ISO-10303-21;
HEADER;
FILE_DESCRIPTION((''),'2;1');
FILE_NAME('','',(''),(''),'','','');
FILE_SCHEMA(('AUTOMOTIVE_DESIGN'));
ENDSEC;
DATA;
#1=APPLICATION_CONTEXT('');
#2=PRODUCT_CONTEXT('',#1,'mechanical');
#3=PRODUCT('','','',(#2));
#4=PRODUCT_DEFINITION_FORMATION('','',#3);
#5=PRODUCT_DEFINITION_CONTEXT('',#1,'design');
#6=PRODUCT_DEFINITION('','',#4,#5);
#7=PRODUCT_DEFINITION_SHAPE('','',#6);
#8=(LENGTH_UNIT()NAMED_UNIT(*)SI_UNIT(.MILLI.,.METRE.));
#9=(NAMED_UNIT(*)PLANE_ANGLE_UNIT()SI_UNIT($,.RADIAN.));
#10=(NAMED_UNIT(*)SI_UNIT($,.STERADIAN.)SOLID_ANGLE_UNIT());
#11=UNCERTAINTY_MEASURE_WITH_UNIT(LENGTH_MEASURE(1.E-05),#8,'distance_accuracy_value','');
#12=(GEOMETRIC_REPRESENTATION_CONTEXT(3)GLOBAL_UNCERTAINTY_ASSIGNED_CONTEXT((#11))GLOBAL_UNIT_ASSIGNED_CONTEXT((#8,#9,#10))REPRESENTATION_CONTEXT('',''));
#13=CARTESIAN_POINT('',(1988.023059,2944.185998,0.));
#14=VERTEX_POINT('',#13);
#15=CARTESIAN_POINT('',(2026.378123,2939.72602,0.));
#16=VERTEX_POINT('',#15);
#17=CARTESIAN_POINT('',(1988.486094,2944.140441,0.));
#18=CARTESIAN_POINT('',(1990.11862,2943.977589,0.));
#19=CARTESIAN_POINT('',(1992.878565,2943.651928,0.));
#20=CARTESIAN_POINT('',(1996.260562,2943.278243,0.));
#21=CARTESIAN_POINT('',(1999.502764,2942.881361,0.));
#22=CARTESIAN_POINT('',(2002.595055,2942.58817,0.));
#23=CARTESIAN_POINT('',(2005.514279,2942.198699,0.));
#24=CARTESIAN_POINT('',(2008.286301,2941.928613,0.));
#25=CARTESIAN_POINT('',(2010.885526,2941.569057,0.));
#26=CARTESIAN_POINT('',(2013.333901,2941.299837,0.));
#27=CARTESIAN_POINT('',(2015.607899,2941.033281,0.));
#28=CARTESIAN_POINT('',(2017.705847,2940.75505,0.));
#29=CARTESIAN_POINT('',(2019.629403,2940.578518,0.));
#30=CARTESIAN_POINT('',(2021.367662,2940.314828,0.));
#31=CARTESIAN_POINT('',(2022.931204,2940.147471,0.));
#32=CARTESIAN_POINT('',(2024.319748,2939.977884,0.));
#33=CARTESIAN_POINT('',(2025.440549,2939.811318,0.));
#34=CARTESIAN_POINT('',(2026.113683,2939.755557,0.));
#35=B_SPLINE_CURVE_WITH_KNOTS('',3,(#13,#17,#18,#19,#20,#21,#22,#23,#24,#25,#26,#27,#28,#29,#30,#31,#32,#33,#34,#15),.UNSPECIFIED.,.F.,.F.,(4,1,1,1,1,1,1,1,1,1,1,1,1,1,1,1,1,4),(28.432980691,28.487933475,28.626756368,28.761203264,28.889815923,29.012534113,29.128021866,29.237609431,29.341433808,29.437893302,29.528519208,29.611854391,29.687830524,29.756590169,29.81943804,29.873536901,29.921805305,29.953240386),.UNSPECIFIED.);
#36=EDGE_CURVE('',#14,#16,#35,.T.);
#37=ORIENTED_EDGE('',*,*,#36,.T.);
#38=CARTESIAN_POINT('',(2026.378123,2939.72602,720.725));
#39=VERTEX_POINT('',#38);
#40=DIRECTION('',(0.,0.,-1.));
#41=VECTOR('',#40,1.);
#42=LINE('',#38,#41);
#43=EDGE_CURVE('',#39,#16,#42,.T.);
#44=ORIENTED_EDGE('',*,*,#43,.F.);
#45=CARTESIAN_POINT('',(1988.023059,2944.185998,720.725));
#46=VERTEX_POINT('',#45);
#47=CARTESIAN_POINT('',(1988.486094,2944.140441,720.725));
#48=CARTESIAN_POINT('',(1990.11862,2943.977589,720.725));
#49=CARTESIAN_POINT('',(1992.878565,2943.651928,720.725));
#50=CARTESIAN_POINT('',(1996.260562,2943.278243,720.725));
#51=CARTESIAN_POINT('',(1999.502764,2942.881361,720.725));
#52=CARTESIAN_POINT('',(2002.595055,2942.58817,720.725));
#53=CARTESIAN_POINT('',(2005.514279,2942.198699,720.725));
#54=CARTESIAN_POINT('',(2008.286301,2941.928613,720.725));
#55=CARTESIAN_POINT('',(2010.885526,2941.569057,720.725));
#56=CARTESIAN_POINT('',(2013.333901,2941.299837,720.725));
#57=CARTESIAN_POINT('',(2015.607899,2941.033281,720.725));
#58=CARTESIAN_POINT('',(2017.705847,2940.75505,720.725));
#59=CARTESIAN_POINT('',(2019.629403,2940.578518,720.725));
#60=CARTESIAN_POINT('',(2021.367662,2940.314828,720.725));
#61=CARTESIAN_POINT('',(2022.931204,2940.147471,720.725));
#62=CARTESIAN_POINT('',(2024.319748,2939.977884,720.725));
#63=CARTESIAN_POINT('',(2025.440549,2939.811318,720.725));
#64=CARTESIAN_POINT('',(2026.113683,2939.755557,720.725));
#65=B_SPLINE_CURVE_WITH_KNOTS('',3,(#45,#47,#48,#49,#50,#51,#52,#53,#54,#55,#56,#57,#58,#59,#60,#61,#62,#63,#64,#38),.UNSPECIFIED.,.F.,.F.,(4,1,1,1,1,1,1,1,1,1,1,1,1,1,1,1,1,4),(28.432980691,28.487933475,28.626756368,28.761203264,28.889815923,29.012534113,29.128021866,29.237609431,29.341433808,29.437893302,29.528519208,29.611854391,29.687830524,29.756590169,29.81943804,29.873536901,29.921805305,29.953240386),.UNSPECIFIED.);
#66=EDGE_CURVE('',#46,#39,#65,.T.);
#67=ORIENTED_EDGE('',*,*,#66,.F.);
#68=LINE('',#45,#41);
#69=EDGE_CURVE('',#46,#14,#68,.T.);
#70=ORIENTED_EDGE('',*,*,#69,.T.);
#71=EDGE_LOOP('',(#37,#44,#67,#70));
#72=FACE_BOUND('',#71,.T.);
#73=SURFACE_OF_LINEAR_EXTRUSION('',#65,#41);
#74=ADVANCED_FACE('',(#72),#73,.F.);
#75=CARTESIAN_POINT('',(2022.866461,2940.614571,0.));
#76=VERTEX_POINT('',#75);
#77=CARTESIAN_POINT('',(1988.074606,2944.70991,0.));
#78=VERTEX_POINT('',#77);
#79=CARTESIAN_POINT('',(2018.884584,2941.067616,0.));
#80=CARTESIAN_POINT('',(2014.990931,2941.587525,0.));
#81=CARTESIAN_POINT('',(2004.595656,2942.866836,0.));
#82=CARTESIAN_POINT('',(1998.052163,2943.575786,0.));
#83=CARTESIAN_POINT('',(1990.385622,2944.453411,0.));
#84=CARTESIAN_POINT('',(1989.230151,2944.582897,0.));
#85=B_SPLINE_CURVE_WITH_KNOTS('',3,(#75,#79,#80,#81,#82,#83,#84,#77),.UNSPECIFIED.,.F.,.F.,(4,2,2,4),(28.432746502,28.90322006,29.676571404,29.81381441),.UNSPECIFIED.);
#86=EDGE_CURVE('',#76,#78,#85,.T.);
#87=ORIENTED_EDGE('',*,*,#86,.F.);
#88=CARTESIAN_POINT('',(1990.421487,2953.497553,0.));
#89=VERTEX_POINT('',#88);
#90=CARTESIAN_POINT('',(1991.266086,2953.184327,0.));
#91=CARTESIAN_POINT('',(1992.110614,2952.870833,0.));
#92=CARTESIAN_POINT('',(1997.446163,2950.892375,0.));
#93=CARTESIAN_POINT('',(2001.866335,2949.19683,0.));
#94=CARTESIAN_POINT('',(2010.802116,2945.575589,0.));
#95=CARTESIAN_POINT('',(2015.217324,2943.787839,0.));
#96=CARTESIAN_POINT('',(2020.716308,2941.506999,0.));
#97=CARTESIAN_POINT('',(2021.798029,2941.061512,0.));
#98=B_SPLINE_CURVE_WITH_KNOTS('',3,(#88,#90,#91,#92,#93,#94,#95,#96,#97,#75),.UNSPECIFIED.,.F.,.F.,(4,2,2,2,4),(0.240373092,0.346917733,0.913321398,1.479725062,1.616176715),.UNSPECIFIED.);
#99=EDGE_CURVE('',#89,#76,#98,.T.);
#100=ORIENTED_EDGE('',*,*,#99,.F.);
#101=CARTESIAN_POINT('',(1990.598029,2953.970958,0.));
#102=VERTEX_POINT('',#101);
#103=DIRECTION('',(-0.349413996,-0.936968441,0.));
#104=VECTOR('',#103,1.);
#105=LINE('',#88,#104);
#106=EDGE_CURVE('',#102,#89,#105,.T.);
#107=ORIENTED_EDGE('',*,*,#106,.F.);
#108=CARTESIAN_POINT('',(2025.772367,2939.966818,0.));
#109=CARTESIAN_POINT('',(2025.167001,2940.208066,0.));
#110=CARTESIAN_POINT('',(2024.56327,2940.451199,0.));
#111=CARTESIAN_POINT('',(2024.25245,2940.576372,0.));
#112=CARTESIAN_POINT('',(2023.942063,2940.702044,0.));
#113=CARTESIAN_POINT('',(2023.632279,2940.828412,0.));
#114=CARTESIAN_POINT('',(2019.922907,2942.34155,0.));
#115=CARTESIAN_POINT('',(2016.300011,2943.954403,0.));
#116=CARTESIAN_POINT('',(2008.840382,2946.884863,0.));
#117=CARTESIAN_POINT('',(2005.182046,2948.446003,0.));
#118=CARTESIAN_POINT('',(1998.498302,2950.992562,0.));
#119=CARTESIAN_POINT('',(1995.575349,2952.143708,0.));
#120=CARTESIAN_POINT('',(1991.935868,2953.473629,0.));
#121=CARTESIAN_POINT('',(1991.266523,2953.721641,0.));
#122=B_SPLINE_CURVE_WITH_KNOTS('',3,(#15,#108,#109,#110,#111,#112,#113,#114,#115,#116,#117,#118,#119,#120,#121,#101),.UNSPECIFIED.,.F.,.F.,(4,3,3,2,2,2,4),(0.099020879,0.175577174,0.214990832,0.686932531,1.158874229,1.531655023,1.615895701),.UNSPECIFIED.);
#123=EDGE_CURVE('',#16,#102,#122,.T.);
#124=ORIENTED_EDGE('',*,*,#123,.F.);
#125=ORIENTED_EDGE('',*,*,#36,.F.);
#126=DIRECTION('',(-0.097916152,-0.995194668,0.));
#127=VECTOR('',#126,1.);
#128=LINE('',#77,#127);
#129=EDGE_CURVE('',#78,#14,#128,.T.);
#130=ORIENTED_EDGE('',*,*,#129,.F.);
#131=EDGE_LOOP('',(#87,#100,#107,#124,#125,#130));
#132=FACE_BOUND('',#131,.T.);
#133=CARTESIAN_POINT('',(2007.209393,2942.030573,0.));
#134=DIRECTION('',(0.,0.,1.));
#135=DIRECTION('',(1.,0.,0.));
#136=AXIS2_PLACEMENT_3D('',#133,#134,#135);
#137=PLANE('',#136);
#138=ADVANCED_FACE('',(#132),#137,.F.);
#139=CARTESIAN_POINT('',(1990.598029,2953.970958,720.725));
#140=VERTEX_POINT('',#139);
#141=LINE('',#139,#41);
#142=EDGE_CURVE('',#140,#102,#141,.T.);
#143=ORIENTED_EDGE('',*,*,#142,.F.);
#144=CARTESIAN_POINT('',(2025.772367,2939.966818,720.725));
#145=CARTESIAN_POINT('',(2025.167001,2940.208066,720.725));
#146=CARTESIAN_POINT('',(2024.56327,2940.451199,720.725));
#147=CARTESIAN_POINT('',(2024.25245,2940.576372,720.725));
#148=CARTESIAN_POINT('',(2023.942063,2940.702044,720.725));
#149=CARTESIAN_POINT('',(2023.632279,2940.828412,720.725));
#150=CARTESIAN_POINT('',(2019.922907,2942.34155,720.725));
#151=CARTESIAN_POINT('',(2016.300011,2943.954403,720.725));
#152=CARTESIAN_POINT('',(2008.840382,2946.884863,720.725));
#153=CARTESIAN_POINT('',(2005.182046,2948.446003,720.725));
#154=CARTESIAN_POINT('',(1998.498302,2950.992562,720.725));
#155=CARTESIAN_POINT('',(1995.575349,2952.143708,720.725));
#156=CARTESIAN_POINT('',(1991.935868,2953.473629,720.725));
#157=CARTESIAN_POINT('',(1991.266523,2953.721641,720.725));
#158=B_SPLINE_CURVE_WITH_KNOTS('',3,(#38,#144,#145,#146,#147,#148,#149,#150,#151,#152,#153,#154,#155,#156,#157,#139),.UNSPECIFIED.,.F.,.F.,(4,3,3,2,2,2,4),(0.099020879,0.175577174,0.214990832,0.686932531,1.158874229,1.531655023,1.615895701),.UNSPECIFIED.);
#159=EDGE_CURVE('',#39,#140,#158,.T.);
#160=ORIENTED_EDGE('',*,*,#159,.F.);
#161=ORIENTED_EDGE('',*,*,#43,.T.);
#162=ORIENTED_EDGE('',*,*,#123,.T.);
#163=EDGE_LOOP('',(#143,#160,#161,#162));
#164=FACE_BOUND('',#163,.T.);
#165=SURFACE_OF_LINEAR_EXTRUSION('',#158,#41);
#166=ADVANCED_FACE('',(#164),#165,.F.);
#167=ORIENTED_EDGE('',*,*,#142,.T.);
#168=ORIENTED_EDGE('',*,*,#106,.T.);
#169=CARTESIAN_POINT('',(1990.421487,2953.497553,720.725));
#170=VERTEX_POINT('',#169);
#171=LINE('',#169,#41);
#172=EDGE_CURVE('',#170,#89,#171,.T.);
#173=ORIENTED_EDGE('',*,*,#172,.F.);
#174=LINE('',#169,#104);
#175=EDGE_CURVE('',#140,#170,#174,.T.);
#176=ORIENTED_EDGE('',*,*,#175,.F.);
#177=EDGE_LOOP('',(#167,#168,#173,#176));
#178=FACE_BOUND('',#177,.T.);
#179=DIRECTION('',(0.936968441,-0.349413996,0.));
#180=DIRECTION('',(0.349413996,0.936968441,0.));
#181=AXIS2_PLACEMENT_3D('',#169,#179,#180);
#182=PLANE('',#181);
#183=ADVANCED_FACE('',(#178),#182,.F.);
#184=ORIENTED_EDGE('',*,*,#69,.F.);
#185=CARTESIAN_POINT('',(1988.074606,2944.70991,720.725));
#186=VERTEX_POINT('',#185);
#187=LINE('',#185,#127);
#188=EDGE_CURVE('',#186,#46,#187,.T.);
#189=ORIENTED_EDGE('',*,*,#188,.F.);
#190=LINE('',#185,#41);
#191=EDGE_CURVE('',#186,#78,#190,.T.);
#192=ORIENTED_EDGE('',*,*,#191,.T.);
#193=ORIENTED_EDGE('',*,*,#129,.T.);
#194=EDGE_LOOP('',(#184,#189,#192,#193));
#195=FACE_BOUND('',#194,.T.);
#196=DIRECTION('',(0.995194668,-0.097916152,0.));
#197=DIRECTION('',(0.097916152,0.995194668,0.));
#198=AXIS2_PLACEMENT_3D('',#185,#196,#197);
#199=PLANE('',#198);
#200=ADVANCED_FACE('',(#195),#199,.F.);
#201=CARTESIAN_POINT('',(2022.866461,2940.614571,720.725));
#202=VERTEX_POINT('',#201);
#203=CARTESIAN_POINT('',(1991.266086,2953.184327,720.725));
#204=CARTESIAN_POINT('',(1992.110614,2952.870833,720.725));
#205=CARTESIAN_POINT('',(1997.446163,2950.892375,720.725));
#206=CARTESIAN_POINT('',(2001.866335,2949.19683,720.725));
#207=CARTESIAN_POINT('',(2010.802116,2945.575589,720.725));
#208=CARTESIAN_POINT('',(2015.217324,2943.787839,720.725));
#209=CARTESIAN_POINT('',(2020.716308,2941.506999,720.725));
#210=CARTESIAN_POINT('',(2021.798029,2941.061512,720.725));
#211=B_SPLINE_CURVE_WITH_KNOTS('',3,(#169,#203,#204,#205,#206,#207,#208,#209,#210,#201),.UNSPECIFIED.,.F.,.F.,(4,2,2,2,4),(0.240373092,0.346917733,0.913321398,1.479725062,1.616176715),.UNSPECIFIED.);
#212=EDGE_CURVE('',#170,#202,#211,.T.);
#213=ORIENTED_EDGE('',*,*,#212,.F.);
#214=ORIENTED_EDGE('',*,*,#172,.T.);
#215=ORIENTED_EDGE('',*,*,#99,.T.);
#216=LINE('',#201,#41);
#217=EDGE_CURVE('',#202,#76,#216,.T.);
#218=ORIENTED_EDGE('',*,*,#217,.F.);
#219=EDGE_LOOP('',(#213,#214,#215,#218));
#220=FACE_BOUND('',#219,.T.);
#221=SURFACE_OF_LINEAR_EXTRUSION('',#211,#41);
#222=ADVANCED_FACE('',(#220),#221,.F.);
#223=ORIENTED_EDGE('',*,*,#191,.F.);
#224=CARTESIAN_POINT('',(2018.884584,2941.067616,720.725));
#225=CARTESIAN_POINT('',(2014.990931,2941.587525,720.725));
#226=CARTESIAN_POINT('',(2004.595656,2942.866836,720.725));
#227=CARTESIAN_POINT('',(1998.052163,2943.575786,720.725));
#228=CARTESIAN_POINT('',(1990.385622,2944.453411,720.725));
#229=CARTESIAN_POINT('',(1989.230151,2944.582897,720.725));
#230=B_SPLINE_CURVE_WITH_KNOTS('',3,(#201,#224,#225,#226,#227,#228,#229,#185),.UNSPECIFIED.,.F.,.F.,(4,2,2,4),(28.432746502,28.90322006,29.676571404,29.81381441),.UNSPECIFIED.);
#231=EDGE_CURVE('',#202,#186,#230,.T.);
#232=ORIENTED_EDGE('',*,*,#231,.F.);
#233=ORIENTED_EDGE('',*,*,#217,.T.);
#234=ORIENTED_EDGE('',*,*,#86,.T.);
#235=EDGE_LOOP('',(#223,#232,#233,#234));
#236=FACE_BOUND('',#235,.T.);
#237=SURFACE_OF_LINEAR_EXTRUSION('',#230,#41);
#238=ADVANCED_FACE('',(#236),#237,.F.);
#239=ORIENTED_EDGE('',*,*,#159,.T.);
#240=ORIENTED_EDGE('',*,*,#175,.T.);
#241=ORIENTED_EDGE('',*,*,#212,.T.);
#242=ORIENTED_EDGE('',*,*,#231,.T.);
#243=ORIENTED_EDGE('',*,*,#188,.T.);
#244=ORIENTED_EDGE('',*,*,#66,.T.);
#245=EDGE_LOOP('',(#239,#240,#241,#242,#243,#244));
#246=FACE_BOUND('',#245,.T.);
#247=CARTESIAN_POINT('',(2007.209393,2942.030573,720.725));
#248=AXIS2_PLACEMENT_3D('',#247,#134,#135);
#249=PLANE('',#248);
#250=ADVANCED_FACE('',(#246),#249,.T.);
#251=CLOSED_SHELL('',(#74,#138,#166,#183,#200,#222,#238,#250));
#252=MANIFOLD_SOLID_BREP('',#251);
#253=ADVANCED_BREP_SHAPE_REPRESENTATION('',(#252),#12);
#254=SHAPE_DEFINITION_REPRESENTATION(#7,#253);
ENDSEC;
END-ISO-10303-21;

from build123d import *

# Parameters (mm, degrees)
BOSS_EXTRUDE1_DEPTH = 720.725


with BuildPart() as part:
    # Sketch2 → Boss-Extrude1 (new body)
    with BuildSketch(Plane.XY):
        with BuildLine():
            Line((1990.421486693, 2953.497553429), (1990.598028741, 2953.970958412))
            add(Edge.make_bspline(
                [(2026.378123223, 2939.726019749), (2025.772367033, 2939.966817705), (2025.167001193, 2940.208065776), (2024.563270161, 2940.45119895), (2024.252449888, 2940.576371776), (2023.942062924, 2940.702044254), (2023.632279085, 2940.828412198), (2019.922907303, 2942.341550154), (2016.300010508, 2943.954402829), (2008.840382128, 2946.884862912), (2005.182046354, 2948.446003317), (1998.49830219, 2950.992561795), (1995.575349012, 2952.143708473), (1991.935867823, 2953.473628662), (1991.266522782, 2953.72164072), (1990.598028741, 2953.970958412)],
                knots=[0.099020879, 0.099020879, 0.099020879, 0.099020879, 0.175577174, 0.175577174, 0.175577174, 0.214990832, 0.214990832, 0.214990832, 0.686932531, 0.686932531, 1.158874229, 1.158874229, 1.531655023, 1.531655023, 1.615895701, 1.615895701, 1.615895701, 1.615895701], degree=3))
            add(Edge.make_bspline(
                [(1988.02305883, 2944.185998102), (1988.486093696, 2944.140440591), (1990.118619768, 2943.977588834), (1992.878565386, 2943.651927789), (1996.260561822, 2943.27824299), (1999.50276369, 2942.881360992), (2002.595054506, 2942.588170362), (2005.514279258, 2942.198699316), (2008.286301016, 2941.928612986), (2010.885526485, 2941.569057415), (2013.333900984, 2941.299836639), (2015.607898689, 2941.033281035), (2017.705847242, 2940.755050343), (2019.629402987, 2940.578518098), (2021.367662073, 2940.314827517), (2022.931203684, 2940.147471412), (2024.319748194, 2939.977883581), (2025.440549175, 2939.811318081), (2026.113682533, 2939.755557142), (2026.378123223, 2939.726019749)],
                knots=[28.432980691, 28.432980691, 28.432980691, 28.432980691, 28.487933475, 28.626756368, 28.761203264, 28.889815923, 29.012534113, 29.128021866, 29.237609431, 29.341433808, 29.437893302, 29.528519208, 29.611854391, 29.687830524, 29.756590169, 29.81943804, 29.873536901, 29.921805305, 29.953240386, 29.953240386, 29.953240386, 29.953240386], degree=3))
            Line((1988.02305883, 2944.185998102), (1988.074605977, 2944.709910093))
            add(Edge.make_bspline(
                [(1988.074605977, 2944.709910093), (1989.230150517, 2944.58289678), (1990.385621975, 2944.45341125), (1998.052162808, 2943.575786345), (2004.595655519, 2942.866835827), (2014.99093127, 2941.587524984), (2018.884584402, 2941.067615831), (2022.866460843, 2940.614570977)],
                knots=[28.432746502, 28.432746502, 28.432746502, 28.432746502, 28.569989508, 28.569989508, 29.343340852, 29.343340852, 29.81381441, 29.81381441, 29.81381441, 29.81381441], degree=3))
            add(Edge.make_bspline(
                [(2022.866460843, 2940.614570977), (2021.798028907, 2941.061512065), (2020.716308213, 2941.506999086), (2015.217323697, 2943.787839229), (2010.802115728, 2945.575588777), (2001.866334932, 2949.196830335), (1997.44616335, 2950.892375156), (1992.11061417, 2952.870832924), (1991.266086469, 2953.18432728), (1990.421486693, 2953.497553429)],
                knots=[0.240373092, 0.240373092, 0.240373092, 0.240373092, 0.376824745, 0.376824745, 0.94322841, 0.94322841, 1.509632074, 1.509632074, 1.616176715, 1.616176715, 1.616176715, 1.616176715], degree=3))
        make_face()
    extrude(amount=BOSS_EXTRUDE1_DEPTH)


solid = part.part
